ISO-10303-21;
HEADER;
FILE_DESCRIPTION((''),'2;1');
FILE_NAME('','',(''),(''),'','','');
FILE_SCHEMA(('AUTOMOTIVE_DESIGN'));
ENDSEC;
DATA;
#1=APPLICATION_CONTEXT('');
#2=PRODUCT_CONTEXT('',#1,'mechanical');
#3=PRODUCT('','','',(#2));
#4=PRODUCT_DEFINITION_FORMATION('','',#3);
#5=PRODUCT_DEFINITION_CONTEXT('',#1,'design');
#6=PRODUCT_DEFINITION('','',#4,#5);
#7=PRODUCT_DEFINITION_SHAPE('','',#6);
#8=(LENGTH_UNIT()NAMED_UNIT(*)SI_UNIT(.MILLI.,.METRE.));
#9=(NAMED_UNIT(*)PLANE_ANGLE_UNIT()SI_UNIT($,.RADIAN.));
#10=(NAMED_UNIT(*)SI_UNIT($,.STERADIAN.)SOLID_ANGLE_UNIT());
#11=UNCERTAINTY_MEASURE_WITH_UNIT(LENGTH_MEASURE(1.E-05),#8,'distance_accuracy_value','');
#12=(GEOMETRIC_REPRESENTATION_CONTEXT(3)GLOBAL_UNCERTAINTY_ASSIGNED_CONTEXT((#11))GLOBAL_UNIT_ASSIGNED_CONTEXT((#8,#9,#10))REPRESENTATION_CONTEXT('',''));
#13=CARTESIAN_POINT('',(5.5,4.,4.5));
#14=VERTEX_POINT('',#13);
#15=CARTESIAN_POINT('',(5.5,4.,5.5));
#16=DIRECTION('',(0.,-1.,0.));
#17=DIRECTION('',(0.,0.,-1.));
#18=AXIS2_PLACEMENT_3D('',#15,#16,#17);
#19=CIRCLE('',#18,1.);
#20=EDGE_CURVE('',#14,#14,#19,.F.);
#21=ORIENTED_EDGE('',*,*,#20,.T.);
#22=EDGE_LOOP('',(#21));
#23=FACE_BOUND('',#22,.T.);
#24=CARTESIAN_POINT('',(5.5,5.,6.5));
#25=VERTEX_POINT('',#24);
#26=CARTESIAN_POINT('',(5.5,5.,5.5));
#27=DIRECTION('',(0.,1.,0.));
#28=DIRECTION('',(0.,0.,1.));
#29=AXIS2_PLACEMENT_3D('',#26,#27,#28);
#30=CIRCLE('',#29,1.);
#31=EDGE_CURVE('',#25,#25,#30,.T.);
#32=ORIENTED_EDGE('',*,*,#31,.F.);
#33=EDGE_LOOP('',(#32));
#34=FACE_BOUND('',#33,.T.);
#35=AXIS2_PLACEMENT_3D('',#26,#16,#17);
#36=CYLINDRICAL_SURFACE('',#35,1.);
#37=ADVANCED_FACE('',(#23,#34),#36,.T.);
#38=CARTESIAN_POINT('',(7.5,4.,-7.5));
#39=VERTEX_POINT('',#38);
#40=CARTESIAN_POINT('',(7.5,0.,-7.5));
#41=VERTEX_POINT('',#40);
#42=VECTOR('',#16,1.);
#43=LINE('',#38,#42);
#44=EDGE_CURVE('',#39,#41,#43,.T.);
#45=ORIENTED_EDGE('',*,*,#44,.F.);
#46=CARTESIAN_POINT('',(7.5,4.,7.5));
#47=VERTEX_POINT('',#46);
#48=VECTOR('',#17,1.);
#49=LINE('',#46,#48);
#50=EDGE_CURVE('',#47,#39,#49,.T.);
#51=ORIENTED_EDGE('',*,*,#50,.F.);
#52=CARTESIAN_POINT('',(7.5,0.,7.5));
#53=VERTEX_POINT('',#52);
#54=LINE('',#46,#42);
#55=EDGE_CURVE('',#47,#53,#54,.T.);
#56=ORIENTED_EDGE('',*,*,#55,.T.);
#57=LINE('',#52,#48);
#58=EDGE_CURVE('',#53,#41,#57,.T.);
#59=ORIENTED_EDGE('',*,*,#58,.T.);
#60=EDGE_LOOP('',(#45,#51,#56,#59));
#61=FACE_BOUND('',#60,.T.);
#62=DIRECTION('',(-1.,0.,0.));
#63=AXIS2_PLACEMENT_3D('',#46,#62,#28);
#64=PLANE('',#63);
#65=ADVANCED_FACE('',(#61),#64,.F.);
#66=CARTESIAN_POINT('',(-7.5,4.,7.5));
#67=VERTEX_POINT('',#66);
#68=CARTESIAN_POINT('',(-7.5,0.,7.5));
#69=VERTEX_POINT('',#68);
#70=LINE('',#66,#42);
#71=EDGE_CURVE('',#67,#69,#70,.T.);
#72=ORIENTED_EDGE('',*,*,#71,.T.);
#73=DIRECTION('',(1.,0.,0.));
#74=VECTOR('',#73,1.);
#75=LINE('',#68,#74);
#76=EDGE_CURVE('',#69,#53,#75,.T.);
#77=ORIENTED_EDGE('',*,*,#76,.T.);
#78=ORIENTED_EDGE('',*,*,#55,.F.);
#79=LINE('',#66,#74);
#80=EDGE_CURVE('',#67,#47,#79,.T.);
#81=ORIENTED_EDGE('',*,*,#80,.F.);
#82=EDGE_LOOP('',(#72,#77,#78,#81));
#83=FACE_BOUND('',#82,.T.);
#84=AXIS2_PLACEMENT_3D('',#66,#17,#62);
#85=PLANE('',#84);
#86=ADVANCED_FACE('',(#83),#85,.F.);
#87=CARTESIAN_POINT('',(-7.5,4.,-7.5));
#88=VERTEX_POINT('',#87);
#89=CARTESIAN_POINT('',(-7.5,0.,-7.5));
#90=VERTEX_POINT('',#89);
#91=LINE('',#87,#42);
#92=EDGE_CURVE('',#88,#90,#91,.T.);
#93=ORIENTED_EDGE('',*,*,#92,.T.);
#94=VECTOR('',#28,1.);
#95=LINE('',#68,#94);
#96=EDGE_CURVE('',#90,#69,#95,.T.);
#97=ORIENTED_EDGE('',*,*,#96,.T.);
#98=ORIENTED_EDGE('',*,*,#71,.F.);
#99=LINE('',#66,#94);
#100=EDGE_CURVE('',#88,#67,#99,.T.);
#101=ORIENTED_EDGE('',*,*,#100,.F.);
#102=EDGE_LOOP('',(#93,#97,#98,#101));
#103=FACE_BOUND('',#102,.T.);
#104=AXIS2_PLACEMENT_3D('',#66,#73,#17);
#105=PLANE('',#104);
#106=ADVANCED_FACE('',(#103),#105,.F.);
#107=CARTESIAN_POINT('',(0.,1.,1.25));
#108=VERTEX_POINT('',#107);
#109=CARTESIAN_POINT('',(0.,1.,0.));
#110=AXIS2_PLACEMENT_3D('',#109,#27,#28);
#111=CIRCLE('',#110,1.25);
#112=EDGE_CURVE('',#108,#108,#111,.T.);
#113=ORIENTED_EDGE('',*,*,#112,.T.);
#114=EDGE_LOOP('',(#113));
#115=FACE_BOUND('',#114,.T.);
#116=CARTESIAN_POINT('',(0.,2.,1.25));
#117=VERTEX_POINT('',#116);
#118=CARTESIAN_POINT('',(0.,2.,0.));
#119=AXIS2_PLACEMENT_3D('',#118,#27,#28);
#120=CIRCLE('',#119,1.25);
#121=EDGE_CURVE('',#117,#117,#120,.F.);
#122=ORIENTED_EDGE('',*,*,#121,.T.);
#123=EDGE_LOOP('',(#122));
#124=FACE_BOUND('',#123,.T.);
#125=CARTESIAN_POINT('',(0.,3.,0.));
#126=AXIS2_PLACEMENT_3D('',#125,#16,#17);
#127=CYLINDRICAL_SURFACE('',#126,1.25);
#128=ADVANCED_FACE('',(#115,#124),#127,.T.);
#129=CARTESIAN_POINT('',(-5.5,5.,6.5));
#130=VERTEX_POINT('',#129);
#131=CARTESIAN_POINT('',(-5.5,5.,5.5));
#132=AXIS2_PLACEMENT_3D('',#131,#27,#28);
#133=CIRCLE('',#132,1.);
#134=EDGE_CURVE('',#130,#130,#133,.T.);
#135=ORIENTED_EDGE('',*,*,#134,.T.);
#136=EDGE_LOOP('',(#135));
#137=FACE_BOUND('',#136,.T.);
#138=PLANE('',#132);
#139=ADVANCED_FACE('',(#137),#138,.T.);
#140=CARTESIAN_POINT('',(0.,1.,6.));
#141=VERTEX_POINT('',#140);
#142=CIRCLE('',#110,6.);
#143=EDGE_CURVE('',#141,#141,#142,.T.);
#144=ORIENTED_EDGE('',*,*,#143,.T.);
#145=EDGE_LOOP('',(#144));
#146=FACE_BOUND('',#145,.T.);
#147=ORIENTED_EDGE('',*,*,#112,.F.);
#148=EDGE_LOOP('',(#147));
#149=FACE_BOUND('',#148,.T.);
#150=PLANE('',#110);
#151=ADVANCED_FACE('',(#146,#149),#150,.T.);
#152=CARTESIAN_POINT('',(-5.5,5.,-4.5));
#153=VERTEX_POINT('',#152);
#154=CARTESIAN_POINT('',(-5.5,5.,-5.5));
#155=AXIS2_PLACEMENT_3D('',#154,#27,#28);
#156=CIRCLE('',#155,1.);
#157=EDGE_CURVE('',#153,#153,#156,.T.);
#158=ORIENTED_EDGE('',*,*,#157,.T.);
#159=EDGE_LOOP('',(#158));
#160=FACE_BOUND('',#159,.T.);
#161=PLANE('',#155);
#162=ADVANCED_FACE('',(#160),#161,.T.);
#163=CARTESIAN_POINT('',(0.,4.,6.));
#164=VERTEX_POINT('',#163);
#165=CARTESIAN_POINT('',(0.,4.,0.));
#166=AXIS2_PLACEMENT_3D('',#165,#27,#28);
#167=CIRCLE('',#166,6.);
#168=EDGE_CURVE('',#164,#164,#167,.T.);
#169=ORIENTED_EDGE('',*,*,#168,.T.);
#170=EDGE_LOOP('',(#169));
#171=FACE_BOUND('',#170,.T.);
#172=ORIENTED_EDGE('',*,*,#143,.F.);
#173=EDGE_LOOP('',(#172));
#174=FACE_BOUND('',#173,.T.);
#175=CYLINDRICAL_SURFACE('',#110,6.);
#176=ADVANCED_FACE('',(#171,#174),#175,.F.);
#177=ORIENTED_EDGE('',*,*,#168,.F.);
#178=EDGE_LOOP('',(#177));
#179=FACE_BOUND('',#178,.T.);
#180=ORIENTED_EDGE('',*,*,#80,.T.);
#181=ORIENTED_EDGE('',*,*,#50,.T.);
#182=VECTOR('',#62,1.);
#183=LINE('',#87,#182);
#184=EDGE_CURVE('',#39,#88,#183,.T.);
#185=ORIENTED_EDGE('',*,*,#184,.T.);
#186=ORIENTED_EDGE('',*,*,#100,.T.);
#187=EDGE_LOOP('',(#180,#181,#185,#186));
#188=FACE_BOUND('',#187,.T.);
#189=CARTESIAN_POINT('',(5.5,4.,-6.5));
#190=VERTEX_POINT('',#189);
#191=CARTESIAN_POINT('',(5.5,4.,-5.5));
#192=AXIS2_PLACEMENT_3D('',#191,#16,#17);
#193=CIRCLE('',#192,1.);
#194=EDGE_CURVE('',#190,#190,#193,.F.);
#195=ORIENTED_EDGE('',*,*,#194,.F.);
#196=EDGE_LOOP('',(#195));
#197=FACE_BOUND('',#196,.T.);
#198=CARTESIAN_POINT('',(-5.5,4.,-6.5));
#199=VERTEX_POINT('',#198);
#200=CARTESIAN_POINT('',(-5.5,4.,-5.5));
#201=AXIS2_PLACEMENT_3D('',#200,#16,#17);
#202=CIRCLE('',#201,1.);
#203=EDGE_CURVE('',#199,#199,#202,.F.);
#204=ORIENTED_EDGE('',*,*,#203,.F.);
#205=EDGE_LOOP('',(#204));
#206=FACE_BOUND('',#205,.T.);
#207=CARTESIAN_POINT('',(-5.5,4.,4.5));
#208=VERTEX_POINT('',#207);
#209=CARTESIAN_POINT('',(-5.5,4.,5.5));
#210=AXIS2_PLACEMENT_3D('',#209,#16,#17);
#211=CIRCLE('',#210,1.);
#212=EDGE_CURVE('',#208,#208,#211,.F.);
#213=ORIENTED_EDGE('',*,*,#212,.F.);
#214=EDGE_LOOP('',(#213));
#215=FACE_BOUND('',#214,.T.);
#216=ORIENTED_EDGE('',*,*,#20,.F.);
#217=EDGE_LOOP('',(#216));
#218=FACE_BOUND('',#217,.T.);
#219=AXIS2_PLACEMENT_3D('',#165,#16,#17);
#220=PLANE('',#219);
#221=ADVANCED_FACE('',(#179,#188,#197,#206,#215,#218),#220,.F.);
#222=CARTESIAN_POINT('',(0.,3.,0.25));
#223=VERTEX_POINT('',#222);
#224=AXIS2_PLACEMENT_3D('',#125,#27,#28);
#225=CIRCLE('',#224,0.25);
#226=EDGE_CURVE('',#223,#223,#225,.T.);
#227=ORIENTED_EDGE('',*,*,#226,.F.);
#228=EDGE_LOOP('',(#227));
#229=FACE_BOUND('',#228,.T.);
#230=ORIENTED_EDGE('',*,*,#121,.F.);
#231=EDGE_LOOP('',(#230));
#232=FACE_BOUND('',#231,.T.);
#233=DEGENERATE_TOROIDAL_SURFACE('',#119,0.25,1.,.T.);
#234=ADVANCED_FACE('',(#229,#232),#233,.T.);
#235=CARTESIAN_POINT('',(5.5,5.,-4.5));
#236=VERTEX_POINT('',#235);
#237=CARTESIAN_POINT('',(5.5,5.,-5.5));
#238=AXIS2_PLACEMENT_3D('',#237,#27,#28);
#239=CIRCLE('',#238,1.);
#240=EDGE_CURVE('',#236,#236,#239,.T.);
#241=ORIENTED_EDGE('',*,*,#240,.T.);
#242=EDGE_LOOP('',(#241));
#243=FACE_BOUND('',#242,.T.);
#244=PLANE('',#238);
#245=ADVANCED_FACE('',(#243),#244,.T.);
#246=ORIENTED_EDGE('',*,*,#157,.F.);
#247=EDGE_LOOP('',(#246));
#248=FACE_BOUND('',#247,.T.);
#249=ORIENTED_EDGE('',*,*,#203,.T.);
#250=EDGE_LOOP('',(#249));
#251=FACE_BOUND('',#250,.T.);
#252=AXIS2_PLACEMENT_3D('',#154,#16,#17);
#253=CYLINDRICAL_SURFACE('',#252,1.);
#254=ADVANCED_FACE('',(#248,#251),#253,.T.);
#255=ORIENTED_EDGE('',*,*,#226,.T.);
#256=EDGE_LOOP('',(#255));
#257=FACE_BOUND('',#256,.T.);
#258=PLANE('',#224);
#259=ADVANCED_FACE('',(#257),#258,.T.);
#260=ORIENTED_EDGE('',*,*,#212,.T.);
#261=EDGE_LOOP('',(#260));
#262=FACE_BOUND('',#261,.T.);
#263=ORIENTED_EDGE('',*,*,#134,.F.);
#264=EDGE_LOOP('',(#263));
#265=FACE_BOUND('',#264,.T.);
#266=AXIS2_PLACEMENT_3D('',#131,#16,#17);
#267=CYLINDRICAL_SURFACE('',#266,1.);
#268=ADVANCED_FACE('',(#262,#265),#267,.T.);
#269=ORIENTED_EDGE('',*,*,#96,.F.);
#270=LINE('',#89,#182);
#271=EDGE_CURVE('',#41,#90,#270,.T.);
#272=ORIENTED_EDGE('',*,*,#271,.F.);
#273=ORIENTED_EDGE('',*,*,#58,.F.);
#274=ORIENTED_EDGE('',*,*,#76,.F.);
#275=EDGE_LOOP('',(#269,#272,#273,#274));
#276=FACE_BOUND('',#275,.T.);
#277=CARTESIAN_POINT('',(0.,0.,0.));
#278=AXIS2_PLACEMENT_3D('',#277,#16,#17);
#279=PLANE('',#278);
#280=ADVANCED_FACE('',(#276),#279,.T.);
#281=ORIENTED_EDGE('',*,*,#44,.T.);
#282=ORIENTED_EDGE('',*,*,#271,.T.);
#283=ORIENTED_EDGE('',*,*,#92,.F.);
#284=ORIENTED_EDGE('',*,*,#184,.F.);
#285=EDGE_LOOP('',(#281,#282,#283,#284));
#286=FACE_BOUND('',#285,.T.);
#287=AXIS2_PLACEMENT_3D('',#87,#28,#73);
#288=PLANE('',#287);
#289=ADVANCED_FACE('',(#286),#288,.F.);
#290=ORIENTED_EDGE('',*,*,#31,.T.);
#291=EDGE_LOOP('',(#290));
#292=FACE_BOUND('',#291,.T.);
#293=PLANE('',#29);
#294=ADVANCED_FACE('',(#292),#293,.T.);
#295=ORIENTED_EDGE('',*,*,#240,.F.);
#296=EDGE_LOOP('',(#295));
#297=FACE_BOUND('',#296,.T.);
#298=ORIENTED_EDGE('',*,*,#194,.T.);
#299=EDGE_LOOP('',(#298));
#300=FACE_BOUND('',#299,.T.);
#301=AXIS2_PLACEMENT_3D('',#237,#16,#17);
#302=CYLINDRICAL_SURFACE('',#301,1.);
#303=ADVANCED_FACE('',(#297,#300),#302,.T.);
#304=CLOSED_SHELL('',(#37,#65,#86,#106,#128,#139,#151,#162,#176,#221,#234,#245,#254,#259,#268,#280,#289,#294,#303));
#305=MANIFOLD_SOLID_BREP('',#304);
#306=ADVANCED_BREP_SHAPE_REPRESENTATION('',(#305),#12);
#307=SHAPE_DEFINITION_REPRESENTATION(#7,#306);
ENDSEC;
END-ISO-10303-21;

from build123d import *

# Parameters (mm, degrees)
SKETCH1_W           = 15
SKETCH1_H           = 15
BOSS_EXTRUDE2_DEPTH = 4
SKETCH4_R           = 6
CUT_EXTRUDE4_DEPTH  = 3
SKETCH5_R           = 1.25
BOSS_EXTRUDE3_DEPTH = 2
FILLET2_R           = 1
SKETCH6_R           = 1
BOSS_EXTRUDE4_DEPTH = 1


with BuildPart() as part:
    # Sketch1 → Boss-Extrude2 (new body)
    with BuildSketch(Plane(origin=(0, 0, 0), x_dir=(1, 0, 0), z_dir=(0, 1, 0))):
        Rectangle(SKETCH1_W, SKETCH1_H)
    extrude(amount=BOSS_EXTRUDE2_DEPTH)

    # Sketch4 → Cut-Extrude4 (cut)
    with BuildSketch(Plane(origin=(0, 4, 0), x_dir=(1, 0, 0), z_dir=(0, 1, 0))):
        Circle(SKETCH4_R)
    extrude(amount=-CUT_EXTRUDE4_DEPTH, mode=Mode.SUBTRACT)

    # Sketch5 → Boss-Extrude3 (add)
    with BuildSketch(Plane(origin=(0, 1, 0), x_dir=(1, 0, 0), z_dir=(0, 1, 0))):
        Circle(SKETCH5_R)
    extrude(amount=BOSS_EXTRUDE3_DEPTH)

    # Fillet2
    fillet2_edges = [part.edges().sort_by_distance(p)[0] for p in [
        (-1.25, 3, 0),
    ]]
    fillet(fillet2_edges, radius=FILLET2_R)

    # Sketch6 → Boss-Extrude4 (add)
    with BuildSketch(Plane(origin=(0, 4, 0), x_dir=(1, 0, 0), z_dir=(0, 1, 0))):
        with Locations((-5.5, 5.5)):
            Circle(SKETCH6_R)
        with Locations((5.5, 5.5)):
            Circle(SKETCH6_R)
        with Locations((-5.5, -5.5)):
            Circle(SKETCH6_R)
        with Locations((5.5, -5.5)):
            Circle(SKETCH6_R)
    extrude(amount=BOSS_EXTRUDE4_DEPTH)


solid = part.part
